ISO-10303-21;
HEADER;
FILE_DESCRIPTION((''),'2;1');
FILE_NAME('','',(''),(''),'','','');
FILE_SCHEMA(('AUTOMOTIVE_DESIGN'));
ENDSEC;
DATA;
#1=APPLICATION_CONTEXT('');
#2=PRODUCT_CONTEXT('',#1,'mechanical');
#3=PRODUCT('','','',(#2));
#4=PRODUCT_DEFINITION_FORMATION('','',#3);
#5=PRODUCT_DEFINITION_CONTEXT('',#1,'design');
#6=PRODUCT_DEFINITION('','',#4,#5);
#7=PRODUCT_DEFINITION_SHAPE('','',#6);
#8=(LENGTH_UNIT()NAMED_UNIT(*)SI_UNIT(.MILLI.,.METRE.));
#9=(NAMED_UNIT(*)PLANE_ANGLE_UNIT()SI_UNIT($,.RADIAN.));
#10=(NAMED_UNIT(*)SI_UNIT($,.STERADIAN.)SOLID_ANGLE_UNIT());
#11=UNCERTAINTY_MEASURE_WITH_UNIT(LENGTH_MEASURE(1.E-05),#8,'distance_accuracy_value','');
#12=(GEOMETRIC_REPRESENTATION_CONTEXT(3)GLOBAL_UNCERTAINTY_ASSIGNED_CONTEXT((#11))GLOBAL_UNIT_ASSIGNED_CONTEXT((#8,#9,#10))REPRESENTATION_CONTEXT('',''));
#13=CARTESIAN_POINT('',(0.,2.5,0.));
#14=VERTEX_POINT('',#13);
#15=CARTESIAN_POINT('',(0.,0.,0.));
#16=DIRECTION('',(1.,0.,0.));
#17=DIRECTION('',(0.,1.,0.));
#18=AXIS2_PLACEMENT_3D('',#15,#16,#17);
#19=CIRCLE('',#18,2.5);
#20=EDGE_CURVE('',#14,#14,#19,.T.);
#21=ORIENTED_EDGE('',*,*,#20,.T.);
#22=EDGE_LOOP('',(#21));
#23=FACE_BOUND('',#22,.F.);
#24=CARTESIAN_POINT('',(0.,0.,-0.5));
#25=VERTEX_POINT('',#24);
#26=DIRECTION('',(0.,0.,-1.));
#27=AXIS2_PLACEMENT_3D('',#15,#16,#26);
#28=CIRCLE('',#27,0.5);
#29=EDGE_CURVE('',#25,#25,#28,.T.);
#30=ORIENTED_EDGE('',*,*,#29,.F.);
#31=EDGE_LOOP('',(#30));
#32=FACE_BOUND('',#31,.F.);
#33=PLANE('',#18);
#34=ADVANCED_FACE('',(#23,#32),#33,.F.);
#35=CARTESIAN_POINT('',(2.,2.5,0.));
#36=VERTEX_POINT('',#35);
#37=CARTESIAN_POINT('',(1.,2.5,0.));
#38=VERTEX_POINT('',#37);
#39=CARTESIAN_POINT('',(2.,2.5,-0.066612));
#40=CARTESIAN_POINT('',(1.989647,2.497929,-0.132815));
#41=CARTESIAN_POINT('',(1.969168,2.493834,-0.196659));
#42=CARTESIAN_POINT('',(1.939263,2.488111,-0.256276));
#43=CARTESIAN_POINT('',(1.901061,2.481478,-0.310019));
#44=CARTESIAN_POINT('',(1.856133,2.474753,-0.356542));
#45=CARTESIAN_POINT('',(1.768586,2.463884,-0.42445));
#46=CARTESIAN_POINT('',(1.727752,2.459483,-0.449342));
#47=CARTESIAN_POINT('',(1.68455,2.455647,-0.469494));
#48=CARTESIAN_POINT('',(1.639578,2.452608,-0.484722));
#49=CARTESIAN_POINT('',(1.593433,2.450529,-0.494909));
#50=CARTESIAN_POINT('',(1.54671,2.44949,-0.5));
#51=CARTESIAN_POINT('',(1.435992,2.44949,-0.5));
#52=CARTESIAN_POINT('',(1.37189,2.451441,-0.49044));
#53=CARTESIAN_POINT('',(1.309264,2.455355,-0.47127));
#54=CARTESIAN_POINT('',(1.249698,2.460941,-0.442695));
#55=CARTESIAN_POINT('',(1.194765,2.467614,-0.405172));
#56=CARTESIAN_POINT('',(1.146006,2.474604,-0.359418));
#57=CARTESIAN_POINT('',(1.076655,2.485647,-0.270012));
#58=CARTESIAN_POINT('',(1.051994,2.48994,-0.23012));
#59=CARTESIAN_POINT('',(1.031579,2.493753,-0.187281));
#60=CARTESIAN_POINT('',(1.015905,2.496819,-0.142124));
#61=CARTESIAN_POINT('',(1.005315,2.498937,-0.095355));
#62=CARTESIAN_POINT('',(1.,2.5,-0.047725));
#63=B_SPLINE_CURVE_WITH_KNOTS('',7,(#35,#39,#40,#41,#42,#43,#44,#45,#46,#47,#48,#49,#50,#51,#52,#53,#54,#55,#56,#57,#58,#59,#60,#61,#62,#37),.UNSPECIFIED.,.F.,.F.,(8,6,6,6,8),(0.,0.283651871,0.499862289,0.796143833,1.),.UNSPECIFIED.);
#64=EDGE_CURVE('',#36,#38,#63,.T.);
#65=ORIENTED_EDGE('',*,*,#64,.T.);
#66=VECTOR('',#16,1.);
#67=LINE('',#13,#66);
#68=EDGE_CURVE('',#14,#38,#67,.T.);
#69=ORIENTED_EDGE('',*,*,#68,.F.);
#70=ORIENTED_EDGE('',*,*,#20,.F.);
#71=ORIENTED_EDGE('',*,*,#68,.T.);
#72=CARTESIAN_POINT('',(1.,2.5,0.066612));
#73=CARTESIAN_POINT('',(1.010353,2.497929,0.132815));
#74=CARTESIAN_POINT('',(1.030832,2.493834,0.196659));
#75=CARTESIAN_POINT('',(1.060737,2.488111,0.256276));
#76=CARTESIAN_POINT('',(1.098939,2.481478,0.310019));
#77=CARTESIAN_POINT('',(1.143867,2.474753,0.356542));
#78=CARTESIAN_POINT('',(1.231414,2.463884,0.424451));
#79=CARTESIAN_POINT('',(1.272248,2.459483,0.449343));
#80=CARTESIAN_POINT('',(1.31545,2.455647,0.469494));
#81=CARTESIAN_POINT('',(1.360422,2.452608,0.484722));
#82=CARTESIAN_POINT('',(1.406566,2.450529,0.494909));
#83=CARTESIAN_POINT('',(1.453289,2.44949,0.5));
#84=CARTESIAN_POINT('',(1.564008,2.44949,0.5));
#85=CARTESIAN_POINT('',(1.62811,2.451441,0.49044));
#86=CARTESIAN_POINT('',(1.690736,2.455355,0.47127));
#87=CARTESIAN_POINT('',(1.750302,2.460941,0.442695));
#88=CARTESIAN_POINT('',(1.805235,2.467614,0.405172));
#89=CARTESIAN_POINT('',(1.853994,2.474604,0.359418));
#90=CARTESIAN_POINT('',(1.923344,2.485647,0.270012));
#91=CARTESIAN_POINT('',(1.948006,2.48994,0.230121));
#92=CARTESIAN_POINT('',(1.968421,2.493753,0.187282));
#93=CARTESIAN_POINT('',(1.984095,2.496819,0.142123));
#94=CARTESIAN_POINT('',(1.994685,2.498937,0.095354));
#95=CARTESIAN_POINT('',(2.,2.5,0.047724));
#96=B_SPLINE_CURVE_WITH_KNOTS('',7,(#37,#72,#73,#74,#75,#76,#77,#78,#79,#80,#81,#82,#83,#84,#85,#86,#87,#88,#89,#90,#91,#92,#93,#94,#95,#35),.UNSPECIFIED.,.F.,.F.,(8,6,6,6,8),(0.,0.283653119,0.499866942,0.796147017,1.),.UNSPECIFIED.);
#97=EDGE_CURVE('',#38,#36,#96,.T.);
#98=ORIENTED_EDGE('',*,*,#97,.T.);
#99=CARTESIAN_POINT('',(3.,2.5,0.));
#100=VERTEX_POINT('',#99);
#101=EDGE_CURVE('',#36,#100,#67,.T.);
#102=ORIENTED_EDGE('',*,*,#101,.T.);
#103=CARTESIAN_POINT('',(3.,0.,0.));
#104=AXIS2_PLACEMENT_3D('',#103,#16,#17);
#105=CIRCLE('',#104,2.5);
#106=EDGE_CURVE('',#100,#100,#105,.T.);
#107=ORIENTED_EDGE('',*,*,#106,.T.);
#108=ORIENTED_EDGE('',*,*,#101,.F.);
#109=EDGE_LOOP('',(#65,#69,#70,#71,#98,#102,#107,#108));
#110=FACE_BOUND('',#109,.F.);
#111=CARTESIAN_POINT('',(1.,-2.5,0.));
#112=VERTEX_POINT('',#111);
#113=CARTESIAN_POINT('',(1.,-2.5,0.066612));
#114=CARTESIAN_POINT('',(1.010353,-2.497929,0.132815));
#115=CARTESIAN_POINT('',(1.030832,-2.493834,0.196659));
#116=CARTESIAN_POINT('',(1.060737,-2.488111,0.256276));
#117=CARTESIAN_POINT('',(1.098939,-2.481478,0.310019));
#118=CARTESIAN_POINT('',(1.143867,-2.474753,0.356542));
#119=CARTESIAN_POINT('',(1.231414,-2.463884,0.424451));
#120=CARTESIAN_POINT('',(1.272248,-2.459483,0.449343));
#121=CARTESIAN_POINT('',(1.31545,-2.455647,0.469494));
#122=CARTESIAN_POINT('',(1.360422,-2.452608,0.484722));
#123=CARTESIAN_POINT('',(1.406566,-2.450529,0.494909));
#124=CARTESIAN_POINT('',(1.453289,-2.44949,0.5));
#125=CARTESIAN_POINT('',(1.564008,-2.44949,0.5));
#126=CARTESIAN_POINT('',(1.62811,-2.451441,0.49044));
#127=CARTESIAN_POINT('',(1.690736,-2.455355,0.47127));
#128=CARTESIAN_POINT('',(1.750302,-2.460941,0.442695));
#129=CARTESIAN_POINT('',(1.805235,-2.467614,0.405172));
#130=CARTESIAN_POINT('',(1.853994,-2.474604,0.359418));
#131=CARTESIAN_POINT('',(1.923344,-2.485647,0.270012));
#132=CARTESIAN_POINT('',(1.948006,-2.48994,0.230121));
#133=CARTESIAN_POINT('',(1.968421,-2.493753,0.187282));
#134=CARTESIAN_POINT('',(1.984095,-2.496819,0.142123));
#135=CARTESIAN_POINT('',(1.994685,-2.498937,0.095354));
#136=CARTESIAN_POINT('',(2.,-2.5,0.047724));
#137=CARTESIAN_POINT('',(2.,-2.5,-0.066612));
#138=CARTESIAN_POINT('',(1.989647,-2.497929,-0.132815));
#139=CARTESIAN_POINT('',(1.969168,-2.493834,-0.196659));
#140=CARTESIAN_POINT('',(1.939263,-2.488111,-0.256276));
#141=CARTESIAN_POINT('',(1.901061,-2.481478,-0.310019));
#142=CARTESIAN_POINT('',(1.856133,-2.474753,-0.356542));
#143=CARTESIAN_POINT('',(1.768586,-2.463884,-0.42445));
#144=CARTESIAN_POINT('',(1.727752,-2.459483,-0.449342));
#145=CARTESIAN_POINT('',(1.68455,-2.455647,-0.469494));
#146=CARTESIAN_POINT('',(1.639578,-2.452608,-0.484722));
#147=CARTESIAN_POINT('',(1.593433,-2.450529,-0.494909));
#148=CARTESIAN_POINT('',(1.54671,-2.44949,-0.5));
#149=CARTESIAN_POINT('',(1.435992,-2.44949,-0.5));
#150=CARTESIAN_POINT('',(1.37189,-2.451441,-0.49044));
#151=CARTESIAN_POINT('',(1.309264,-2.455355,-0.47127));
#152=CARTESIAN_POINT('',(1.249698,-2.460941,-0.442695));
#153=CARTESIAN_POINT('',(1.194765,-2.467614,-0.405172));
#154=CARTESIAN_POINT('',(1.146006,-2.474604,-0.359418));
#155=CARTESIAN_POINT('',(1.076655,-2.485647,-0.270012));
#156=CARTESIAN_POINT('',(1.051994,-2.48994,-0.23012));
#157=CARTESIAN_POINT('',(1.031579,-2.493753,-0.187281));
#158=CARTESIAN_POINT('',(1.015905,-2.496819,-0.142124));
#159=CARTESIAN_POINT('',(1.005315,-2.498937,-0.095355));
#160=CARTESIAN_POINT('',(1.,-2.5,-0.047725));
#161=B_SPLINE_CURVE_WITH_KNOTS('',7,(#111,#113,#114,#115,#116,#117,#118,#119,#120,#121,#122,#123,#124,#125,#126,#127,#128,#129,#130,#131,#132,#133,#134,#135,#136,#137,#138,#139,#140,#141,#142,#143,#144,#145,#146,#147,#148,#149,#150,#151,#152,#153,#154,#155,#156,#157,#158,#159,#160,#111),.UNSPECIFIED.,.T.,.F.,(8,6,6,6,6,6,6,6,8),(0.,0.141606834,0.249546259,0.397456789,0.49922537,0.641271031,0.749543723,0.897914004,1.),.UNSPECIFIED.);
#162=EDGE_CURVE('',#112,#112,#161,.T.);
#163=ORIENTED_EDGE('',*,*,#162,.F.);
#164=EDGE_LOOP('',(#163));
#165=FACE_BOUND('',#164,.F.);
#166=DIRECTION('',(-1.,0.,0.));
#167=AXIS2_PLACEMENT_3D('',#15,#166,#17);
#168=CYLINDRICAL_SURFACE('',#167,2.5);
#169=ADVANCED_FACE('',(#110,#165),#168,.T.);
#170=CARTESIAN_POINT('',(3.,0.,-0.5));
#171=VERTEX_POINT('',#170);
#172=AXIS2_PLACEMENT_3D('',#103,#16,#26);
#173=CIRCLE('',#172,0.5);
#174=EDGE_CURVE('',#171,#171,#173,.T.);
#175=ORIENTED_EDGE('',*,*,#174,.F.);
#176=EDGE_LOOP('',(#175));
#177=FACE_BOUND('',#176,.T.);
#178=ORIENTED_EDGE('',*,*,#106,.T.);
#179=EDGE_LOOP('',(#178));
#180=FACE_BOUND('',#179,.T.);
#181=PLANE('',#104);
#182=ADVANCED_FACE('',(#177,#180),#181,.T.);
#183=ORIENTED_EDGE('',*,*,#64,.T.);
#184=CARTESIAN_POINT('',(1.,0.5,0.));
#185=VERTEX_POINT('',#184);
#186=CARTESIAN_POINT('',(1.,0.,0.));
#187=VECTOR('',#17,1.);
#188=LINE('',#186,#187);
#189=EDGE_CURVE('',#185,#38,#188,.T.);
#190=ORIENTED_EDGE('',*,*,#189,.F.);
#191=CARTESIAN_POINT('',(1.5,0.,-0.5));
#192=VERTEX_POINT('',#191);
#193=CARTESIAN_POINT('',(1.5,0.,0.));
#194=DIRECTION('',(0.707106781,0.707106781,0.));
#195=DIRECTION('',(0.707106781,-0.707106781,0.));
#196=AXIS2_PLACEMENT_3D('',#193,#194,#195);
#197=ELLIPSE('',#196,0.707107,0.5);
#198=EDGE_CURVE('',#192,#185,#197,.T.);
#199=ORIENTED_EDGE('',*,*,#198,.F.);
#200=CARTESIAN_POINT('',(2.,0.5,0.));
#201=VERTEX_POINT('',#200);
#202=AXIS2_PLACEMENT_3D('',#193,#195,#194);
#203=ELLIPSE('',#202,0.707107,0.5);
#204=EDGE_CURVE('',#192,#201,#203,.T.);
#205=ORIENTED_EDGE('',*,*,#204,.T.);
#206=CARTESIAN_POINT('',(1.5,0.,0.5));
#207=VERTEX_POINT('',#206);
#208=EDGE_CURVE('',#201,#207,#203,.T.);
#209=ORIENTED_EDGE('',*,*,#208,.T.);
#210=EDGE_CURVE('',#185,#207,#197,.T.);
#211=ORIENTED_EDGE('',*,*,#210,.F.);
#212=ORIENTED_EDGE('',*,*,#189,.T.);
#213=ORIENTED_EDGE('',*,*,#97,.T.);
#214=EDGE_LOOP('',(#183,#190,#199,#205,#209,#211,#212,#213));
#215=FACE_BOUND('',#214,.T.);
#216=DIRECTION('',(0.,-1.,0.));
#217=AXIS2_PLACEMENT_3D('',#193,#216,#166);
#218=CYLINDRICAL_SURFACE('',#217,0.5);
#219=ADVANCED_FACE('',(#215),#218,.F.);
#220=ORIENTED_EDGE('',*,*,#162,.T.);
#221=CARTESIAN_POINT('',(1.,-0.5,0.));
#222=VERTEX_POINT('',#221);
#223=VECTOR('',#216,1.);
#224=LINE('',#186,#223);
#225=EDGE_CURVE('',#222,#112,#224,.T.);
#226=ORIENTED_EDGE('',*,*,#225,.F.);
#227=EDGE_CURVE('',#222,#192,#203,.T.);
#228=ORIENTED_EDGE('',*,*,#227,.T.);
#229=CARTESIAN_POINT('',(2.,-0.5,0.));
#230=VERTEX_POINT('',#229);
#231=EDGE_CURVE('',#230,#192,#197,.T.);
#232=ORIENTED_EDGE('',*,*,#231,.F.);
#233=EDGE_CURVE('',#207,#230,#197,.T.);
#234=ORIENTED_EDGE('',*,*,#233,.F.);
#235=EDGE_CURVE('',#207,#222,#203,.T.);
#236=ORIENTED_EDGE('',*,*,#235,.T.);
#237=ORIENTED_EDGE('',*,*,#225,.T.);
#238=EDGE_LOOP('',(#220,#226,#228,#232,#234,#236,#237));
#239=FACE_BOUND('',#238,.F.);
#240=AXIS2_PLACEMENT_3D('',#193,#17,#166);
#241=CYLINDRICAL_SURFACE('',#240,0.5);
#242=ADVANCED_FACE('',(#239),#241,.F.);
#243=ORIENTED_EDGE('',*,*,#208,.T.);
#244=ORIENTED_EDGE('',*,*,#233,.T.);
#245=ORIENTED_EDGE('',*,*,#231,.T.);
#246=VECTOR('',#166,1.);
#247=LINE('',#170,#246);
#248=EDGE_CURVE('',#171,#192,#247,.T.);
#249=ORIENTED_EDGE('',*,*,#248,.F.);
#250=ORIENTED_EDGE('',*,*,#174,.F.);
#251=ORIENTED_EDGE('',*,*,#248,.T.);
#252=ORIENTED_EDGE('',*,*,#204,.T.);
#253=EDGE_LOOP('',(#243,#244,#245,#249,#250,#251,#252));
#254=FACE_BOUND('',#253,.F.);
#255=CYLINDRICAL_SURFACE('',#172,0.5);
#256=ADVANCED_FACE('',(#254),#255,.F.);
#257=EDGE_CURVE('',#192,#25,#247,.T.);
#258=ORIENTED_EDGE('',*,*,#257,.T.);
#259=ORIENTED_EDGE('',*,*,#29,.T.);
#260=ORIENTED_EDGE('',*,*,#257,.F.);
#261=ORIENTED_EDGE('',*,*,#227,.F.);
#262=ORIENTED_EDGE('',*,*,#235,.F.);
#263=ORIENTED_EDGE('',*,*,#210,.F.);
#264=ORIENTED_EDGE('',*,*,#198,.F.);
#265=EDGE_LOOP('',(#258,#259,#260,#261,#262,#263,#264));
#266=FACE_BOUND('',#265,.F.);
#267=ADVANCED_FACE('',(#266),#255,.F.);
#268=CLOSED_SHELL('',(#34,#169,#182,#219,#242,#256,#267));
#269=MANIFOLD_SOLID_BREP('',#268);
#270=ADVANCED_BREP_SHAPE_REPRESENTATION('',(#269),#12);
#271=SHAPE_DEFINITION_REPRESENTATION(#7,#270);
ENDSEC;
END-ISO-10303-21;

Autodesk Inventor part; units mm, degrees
ref_plane "YZ Plane" through (0, 0, 0) normal (1, 0, 0) x (0, 1, 0)
ref_plane "XZ Plane" through (0, 0, 0) normal (0, 1, 0) x (-1, 0, 0)
ref_plane "XY Plane" through (0, 0, 0) normal (0, 0, 1) x (1, 0, 0)
sketch "스케치1" plane through (0, 0, 0) normal (1, 0, 0) x (0, 1, 0)
  circle A0 centre (0, 0) radius 2.5
  circle A1 centre (0, 0) radius 1
  dimension "d0" = 5
  dimension "d1" = 2
extrude "돌출1" add sketch "스케치1" along normal blind 3 contours A0 | A1
sketch "스케치2" plane through (3, 0, 0) normal (1, 0, 0) x (0, 0, -1)
  circle A0 centre (0, 0) radius 0.5
  dimension "d4" = 1
extrude "돌출2" cut sketch "스케치2" against normal blind 11.5
sketch "스케치3" plane through (0, 0, 0) normal (0, 1, 0) x (-1, 0, 0)
  line L0 (-3, 2.5) -> (-3, -2.5) projected
  line L1 (0, 2.5) -> (0, -2.5) projected
  line L2 (0, 0) -> (-3, 0)
  circle A0 centre (-1.5, 0) radius 0.5
  dimension "d7" = 1
extrude "돌출3" cut sketch "스케치3" along normal mid plane 11.5
properties part number "_3D 인쇄"
